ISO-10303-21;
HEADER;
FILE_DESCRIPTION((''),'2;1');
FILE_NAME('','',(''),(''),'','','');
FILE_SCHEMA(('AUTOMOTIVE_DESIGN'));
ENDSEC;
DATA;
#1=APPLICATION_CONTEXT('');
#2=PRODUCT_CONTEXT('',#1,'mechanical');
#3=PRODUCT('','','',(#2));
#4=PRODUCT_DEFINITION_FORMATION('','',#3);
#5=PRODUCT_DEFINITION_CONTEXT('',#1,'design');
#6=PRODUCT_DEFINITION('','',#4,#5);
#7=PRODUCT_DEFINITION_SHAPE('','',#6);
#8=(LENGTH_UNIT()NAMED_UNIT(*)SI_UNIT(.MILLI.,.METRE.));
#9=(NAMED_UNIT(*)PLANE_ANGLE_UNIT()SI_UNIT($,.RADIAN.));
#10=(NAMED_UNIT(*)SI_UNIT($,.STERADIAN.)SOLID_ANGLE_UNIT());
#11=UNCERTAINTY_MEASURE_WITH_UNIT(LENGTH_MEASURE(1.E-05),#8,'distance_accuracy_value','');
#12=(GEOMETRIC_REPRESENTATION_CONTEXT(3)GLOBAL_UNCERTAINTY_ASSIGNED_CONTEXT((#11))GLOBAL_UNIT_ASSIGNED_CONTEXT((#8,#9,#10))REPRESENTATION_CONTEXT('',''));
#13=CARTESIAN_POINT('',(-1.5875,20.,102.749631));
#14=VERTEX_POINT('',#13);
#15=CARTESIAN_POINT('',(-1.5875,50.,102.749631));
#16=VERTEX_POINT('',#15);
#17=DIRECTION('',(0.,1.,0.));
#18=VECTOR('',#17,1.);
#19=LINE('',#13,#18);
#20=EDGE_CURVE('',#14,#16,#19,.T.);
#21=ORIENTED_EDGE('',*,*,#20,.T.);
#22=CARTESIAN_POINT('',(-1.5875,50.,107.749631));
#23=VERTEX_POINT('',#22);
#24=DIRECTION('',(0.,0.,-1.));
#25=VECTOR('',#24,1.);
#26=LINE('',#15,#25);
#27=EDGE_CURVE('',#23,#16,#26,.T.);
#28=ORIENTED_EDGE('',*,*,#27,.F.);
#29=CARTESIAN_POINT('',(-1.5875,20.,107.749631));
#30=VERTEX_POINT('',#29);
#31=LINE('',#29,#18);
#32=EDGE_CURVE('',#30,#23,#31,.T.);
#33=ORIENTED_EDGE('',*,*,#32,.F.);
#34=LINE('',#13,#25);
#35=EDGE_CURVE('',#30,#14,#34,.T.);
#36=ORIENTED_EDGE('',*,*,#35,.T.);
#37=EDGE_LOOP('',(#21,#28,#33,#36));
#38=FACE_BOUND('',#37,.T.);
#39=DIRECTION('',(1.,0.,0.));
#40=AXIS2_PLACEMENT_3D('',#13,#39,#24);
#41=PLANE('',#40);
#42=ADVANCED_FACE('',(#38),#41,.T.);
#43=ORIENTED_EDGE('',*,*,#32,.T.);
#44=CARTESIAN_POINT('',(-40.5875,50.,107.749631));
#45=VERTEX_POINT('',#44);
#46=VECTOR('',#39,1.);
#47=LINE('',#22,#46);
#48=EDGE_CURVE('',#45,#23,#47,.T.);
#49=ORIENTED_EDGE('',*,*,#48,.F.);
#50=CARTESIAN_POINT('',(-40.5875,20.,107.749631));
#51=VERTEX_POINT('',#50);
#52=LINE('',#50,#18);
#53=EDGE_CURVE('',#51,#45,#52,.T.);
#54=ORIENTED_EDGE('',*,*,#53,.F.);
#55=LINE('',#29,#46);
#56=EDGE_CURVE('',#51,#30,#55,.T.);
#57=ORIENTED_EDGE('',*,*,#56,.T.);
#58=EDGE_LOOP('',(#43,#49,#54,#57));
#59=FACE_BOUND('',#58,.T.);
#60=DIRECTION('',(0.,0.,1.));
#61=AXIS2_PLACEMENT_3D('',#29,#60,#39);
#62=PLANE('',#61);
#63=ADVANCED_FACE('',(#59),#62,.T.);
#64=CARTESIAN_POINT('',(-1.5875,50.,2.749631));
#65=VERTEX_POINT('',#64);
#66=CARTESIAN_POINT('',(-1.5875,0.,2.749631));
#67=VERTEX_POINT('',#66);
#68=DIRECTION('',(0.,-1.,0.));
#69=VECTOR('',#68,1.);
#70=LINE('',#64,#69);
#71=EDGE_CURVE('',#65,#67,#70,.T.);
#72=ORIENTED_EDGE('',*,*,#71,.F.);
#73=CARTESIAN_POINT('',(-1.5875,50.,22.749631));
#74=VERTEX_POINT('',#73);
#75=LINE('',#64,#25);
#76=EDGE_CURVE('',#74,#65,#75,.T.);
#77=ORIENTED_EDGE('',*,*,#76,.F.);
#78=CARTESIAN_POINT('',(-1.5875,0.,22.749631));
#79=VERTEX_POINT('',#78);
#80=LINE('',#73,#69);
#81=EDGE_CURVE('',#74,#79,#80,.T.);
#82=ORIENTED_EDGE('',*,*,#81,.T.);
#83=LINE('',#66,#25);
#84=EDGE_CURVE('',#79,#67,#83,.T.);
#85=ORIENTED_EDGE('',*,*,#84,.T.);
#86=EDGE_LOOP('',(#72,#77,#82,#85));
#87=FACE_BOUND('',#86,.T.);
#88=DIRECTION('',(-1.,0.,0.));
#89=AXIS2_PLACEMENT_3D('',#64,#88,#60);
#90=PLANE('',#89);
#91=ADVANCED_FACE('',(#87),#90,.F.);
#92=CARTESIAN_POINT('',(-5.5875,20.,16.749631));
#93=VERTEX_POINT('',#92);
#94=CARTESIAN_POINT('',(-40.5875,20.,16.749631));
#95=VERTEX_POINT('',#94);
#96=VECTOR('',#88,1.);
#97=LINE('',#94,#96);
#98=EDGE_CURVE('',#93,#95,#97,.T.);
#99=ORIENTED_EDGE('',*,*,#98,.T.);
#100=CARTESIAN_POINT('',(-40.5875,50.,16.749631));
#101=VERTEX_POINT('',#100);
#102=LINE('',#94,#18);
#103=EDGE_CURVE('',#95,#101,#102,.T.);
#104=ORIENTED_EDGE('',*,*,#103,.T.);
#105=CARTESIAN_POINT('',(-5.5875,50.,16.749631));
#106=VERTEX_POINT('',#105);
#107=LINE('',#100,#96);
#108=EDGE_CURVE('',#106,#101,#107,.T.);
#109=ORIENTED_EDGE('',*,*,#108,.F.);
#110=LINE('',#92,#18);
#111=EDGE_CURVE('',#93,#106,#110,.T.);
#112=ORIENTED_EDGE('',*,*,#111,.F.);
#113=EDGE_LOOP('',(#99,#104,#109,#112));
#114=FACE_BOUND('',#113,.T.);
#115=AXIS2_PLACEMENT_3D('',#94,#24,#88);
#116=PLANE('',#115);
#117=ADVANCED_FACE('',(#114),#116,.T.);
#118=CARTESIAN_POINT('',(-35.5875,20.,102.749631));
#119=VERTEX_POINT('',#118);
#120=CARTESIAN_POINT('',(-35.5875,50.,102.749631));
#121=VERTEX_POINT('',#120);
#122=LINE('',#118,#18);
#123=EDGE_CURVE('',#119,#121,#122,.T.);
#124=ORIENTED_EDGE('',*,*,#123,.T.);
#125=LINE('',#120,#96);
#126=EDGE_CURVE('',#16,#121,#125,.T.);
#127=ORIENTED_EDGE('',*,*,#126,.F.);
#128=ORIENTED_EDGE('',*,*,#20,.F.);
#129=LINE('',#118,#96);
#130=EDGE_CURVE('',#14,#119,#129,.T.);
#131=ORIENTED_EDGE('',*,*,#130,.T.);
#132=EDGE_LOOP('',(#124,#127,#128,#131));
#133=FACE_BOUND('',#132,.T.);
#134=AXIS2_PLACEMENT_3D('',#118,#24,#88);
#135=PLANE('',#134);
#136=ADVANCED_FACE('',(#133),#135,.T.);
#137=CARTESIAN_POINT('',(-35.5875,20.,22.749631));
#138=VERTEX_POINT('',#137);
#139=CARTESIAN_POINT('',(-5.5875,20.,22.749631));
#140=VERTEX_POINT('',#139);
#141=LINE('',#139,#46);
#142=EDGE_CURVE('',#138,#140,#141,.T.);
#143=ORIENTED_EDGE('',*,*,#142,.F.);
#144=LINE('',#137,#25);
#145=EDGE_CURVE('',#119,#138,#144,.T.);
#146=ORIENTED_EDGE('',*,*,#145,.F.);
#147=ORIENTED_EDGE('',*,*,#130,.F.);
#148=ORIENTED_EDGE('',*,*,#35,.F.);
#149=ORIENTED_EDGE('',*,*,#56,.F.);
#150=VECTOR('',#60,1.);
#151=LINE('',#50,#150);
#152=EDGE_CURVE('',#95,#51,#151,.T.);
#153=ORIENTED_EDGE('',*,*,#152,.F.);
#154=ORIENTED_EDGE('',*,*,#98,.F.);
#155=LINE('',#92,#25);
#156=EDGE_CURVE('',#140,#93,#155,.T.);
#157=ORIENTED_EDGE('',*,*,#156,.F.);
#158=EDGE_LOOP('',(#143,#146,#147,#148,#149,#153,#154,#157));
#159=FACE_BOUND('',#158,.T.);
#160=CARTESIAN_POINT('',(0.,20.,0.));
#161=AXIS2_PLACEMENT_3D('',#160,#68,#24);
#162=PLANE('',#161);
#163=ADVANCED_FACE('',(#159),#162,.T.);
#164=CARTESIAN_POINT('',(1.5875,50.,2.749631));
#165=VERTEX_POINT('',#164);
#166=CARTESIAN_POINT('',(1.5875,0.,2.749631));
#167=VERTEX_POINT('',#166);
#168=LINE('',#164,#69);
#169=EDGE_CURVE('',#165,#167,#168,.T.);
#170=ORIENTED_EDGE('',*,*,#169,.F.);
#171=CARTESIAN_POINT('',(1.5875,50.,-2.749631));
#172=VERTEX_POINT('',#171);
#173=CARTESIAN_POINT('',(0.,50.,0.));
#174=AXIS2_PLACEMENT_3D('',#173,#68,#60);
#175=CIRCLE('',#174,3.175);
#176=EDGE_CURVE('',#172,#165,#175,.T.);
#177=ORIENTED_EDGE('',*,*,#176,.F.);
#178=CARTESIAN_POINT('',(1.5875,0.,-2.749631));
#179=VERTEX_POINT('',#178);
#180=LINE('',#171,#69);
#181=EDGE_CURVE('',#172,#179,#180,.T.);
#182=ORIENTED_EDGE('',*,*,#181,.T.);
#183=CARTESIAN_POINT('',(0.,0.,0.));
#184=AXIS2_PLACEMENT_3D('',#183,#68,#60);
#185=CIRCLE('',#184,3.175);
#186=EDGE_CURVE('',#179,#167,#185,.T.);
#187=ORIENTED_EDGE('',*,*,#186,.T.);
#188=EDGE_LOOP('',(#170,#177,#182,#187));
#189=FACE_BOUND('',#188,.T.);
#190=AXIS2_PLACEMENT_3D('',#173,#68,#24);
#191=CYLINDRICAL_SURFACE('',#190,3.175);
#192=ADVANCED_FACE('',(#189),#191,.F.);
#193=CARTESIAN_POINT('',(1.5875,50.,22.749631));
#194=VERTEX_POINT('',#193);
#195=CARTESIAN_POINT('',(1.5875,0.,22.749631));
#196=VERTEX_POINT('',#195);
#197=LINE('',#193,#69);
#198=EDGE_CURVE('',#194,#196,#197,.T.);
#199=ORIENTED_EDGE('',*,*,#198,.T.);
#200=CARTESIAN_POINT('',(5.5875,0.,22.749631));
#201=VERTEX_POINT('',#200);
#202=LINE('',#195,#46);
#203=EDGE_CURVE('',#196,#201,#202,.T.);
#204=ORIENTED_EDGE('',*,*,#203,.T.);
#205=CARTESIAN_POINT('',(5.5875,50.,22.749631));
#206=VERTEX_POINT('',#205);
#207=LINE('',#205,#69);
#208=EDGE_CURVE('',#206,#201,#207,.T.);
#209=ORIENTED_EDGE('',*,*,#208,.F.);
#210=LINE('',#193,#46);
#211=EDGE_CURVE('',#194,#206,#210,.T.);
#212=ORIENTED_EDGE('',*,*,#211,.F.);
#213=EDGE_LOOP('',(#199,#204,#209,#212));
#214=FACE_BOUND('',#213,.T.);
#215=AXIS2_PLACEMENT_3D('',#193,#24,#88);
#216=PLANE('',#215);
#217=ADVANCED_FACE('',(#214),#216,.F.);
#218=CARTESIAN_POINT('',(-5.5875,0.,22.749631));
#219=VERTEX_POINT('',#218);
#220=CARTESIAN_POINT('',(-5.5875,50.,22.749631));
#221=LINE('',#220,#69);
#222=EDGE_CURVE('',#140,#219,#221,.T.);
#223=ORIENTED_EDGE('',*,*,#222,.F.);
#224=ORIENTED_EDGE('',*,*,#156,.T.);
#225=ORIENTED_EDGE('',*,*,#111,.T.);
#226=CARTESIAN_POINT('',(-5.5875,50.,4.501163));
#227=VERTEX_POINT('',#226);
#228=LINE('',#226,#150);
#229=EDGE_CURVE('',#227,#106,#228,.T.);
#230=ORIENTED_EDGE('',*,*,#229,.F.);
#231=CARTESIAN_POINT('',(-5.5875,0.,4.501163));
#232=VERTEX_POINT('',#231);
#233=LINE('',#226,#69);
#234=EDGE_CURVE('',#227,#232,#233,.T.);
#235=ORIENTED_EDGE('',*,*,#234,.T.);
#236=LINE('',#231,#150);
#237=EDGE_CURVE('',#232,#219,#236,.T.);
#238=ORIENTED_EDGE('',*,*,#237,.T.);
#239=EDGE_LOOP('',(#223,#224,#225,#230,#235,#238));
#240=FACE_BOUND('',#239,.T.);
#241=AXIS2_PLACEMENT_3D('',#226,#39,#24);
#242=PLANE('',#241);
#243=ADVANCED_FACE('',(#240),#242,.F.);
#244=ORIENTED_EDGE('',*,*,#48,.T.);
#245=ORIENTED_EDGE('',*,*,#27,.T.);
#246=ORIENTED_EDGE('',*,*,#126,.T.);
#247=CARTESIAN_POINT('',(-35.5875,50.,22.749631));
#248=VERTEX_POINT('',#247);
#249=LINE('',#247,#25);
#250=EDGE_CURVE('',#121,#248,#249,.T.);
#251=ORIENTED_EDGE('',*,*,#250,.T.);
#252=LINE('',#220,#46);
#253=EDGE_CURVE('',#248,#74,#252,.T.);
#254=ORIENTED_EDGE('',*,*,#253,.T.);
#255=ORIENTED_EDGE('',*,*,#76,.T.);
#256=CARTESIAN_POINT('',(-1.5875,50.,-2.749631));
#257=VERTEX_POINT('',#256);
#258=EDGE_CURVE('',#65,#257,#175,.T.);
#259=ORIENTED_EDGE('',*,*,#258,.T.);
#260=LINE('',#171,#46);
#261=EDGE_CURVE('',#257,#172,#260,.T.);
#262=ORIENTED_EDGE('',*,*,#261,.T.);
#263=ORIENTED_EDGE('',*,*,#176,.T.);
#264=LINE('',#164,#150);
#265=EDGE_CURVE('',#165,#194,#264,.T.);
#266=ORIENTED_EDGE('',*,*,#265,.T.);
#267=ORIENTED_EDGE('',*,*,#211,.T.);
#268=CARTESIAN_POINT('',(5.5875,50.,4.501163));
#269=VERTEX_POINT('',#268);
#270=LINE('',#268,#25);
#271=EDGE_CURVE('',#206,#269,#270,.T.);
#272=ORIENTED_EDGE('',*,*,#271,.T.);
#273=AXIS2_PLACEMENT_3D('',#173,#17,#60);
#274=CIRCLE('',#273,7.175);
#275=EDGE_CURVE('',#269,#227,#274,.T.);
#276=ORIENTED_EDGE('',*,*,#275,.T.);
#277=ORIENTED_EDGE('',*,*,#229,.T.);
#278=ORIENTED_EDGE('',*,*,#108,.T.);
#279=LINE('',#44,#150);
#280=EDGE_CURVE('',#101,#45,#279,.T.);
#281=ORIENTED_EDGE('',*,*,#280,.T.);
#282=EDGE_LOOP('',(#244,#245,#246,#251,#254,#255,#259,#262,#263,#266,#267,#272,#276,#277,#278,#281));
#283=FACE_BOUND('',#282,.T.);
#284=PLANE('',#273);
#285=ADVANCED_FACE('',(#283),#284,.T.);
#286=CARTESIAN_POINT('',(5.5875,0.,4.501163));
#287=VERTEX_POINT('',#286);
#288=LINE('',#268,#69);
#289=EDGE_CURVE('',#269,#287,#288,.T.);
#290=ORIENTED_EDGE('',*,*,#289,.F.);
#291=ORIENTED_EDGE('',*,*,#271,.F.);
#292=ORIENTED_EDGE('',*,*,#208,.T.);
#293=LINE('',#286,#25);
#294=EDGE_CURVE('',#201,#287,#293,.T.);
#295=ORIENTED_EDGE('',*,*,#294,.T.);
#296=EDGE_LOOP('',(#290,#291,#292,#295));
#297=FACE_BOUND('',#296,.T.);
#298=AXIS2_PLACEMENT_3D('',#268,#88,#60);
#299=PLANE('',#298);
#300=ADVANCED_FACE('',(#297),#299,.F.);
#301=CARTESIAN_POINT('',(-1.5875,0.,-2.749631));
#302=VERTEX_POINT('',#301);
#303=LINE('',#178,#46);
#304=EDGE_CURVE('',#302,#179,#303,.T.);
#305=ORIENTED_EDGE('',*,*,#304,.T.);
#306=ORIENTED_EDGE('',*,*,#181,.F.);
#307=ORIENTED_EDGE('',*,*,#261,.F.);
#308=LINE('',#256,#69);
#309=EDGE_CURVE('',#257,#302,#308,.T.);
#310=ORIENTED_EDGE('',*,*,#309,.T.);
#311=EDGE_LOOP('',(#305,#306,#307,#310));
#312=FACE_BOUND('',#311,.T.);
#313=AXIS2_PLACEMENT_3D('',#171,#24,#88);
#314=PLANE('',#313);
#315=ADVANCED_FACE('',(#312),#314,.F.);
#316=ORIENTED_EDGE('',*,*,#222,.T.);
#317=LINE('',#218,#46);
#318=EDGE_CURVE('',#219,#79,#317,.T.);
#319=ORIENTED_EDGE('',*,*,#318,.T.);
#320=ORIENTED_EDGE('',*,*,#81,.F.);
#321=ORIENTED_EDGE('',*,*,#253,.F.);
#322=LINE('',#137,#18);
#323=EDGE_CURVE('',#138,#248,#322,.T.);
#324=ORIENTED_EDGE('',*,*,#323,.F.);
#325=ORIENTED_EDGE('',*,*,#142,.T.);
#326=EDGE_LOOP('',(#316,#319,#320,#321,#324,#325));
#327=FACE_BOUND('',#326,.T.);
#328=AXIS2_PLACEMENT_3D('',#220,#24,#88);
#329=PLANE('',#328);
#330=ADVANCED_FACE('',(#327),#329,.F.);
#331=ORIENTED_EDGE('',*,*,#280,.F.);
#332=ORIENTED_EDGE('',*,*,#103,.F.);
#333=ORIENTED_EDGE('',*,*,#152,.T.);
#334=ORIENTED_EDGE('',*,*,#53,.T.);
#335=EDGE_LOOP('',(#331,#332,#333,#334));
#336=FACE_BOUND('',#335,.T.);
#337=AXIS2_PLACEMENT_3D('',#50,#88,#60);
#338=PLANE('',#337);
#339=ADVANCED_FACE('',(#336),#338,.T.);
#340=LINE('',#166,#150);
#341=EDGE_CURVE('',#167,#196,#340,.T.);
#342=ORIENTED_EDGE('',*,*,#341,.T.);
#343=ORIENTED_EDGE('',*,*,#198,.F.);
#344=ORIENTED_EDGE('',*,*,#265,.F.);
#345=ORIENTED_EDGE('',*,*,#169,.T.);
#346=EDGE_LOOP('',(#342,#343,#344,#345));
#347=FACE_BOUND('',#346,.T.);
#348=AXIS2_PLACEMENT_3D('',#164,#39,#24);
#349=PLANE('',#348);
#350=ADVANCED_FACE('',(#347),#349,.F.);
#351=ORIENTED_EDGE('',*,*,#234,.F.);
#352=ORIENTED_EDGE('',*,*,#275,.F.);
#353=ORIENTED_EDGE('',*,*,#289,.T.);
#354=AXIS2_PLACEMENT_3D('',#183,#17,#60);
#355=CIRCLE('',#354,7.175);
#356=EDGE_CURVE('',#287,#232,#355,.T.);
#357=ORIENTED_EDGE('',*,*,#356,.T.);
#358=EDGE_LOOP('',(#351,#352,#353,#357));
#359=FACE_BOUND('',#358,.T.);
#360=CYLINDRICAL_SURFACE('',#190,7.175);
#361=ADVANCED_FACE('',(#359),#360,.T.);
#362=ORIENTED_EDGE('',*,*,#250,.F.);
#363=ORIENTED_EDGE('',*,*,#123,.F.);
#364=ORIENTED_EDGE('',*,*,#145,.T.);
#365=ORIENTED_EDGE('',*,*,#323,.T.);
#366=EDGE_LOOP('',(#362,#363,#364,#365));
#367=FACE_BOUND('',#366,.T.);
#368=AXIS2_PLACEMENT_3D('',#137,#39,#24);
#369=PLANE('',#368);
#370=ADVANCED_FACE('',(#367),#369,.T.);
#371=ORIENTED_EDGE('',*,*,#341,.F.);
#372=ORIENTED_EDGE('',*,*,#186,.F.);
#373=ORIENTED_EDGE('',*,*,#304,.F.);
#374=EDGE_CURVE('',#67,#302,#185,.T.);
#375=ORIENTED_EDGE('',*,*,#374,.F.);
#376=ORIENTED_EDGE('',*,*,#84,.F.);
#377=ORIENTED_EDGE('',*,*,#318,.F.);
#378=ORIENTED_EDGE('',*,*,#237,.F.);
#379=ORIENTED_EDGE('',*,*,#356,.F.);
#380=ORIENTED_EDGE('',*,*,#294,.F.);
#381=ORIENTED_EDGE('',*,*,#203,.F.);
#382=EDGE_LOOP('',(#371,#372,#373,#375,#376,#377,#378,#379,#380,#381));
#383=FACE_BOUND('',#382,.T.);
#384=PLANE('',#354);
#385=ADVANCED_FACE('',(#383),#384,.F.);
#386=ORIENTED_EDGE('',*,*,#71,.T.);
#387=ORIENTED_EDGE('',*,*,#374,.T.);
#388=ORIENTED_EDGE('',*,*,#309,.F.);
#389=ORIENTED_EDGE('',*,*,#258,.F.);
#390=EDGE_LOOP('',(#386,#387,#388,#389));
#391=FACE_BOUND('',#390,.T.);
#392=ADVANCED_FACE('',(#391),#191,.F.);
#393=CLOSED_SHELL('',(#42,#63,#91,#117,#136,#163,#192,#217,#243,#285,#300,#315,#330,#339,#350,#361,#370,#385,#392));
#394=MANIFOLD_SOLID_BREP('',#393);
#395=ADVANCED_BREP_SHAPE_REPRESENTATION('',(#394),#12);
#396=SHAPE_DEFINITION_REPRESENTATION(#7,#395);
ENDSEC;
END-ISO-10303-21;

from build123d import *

# Parameters (mm, degrees)
BOSS_EXTRUDE1_DEPTH = 50
BOSS_EXTRUDE2_DEPTH = 30


with BuildPart() as part:
    # Sketch1 → Boss-Extrude1 (new body)
    with BuildSketch(Plane(origin=(0, 0, 0), x_dir=(1, 0, 0), z_dir=(0, 1, 0))):
        with BuildLine():
            Line((-1.5875, -2.749630657), (-1.5875, -22.749630657))
            Line((-1.5875, -22.749630657), (-5.5875, -22.749630657))
            Line((-5.5875, -22.749630657), (-5.5875, -4.501163044))
            ThreePointArc((-5.5875, -4.501163044), (0, 7.175), (5.5875, -4.501163044))
            Line((5.5875, -4.501163044), (5.5875, -22.749630657))
            Line((5.5875, -22.749630657), (1.5875, -22.749630657))
            Line((1.5875, -22.749630657), (1.5875, -2.749630657))
            ThreePointArc((1.5875, -2.749630657), (3.175, 0), (1.5875, 2.749630657))
            Line((1.5875, 2.749630657), (-1.5875, 2.749630657))
            ThreePointArc((-1.5875, 2.749630657), (-3.175, 0), (-1.5875, -2.749630657))
        make_face()
    extrude(amount=BOSS_EXTRUDE1_DEPTH)

    # Sketch5 → Boss-Extrude2 (add)
    with BuildSketch(Plane(origin=(0, 50, 0), x_dir=(1, 0, 0), z_dir=(0, 1, 0))):
        Polygon((-5.5875, -22.749630657), (-35.5875, -22.749630657), (-35.5875, -102.749630657), (-1.5875, -102.749630657), (-1.5875, -107.749630657), (-40.5875, -107.749630657), (-40.5875, -16.749630657), (-5.5875, -16.749630657), align=None)
    extrude(amount=-BOSS_EXTRUDE2_DEPTH)


solid = part.part
